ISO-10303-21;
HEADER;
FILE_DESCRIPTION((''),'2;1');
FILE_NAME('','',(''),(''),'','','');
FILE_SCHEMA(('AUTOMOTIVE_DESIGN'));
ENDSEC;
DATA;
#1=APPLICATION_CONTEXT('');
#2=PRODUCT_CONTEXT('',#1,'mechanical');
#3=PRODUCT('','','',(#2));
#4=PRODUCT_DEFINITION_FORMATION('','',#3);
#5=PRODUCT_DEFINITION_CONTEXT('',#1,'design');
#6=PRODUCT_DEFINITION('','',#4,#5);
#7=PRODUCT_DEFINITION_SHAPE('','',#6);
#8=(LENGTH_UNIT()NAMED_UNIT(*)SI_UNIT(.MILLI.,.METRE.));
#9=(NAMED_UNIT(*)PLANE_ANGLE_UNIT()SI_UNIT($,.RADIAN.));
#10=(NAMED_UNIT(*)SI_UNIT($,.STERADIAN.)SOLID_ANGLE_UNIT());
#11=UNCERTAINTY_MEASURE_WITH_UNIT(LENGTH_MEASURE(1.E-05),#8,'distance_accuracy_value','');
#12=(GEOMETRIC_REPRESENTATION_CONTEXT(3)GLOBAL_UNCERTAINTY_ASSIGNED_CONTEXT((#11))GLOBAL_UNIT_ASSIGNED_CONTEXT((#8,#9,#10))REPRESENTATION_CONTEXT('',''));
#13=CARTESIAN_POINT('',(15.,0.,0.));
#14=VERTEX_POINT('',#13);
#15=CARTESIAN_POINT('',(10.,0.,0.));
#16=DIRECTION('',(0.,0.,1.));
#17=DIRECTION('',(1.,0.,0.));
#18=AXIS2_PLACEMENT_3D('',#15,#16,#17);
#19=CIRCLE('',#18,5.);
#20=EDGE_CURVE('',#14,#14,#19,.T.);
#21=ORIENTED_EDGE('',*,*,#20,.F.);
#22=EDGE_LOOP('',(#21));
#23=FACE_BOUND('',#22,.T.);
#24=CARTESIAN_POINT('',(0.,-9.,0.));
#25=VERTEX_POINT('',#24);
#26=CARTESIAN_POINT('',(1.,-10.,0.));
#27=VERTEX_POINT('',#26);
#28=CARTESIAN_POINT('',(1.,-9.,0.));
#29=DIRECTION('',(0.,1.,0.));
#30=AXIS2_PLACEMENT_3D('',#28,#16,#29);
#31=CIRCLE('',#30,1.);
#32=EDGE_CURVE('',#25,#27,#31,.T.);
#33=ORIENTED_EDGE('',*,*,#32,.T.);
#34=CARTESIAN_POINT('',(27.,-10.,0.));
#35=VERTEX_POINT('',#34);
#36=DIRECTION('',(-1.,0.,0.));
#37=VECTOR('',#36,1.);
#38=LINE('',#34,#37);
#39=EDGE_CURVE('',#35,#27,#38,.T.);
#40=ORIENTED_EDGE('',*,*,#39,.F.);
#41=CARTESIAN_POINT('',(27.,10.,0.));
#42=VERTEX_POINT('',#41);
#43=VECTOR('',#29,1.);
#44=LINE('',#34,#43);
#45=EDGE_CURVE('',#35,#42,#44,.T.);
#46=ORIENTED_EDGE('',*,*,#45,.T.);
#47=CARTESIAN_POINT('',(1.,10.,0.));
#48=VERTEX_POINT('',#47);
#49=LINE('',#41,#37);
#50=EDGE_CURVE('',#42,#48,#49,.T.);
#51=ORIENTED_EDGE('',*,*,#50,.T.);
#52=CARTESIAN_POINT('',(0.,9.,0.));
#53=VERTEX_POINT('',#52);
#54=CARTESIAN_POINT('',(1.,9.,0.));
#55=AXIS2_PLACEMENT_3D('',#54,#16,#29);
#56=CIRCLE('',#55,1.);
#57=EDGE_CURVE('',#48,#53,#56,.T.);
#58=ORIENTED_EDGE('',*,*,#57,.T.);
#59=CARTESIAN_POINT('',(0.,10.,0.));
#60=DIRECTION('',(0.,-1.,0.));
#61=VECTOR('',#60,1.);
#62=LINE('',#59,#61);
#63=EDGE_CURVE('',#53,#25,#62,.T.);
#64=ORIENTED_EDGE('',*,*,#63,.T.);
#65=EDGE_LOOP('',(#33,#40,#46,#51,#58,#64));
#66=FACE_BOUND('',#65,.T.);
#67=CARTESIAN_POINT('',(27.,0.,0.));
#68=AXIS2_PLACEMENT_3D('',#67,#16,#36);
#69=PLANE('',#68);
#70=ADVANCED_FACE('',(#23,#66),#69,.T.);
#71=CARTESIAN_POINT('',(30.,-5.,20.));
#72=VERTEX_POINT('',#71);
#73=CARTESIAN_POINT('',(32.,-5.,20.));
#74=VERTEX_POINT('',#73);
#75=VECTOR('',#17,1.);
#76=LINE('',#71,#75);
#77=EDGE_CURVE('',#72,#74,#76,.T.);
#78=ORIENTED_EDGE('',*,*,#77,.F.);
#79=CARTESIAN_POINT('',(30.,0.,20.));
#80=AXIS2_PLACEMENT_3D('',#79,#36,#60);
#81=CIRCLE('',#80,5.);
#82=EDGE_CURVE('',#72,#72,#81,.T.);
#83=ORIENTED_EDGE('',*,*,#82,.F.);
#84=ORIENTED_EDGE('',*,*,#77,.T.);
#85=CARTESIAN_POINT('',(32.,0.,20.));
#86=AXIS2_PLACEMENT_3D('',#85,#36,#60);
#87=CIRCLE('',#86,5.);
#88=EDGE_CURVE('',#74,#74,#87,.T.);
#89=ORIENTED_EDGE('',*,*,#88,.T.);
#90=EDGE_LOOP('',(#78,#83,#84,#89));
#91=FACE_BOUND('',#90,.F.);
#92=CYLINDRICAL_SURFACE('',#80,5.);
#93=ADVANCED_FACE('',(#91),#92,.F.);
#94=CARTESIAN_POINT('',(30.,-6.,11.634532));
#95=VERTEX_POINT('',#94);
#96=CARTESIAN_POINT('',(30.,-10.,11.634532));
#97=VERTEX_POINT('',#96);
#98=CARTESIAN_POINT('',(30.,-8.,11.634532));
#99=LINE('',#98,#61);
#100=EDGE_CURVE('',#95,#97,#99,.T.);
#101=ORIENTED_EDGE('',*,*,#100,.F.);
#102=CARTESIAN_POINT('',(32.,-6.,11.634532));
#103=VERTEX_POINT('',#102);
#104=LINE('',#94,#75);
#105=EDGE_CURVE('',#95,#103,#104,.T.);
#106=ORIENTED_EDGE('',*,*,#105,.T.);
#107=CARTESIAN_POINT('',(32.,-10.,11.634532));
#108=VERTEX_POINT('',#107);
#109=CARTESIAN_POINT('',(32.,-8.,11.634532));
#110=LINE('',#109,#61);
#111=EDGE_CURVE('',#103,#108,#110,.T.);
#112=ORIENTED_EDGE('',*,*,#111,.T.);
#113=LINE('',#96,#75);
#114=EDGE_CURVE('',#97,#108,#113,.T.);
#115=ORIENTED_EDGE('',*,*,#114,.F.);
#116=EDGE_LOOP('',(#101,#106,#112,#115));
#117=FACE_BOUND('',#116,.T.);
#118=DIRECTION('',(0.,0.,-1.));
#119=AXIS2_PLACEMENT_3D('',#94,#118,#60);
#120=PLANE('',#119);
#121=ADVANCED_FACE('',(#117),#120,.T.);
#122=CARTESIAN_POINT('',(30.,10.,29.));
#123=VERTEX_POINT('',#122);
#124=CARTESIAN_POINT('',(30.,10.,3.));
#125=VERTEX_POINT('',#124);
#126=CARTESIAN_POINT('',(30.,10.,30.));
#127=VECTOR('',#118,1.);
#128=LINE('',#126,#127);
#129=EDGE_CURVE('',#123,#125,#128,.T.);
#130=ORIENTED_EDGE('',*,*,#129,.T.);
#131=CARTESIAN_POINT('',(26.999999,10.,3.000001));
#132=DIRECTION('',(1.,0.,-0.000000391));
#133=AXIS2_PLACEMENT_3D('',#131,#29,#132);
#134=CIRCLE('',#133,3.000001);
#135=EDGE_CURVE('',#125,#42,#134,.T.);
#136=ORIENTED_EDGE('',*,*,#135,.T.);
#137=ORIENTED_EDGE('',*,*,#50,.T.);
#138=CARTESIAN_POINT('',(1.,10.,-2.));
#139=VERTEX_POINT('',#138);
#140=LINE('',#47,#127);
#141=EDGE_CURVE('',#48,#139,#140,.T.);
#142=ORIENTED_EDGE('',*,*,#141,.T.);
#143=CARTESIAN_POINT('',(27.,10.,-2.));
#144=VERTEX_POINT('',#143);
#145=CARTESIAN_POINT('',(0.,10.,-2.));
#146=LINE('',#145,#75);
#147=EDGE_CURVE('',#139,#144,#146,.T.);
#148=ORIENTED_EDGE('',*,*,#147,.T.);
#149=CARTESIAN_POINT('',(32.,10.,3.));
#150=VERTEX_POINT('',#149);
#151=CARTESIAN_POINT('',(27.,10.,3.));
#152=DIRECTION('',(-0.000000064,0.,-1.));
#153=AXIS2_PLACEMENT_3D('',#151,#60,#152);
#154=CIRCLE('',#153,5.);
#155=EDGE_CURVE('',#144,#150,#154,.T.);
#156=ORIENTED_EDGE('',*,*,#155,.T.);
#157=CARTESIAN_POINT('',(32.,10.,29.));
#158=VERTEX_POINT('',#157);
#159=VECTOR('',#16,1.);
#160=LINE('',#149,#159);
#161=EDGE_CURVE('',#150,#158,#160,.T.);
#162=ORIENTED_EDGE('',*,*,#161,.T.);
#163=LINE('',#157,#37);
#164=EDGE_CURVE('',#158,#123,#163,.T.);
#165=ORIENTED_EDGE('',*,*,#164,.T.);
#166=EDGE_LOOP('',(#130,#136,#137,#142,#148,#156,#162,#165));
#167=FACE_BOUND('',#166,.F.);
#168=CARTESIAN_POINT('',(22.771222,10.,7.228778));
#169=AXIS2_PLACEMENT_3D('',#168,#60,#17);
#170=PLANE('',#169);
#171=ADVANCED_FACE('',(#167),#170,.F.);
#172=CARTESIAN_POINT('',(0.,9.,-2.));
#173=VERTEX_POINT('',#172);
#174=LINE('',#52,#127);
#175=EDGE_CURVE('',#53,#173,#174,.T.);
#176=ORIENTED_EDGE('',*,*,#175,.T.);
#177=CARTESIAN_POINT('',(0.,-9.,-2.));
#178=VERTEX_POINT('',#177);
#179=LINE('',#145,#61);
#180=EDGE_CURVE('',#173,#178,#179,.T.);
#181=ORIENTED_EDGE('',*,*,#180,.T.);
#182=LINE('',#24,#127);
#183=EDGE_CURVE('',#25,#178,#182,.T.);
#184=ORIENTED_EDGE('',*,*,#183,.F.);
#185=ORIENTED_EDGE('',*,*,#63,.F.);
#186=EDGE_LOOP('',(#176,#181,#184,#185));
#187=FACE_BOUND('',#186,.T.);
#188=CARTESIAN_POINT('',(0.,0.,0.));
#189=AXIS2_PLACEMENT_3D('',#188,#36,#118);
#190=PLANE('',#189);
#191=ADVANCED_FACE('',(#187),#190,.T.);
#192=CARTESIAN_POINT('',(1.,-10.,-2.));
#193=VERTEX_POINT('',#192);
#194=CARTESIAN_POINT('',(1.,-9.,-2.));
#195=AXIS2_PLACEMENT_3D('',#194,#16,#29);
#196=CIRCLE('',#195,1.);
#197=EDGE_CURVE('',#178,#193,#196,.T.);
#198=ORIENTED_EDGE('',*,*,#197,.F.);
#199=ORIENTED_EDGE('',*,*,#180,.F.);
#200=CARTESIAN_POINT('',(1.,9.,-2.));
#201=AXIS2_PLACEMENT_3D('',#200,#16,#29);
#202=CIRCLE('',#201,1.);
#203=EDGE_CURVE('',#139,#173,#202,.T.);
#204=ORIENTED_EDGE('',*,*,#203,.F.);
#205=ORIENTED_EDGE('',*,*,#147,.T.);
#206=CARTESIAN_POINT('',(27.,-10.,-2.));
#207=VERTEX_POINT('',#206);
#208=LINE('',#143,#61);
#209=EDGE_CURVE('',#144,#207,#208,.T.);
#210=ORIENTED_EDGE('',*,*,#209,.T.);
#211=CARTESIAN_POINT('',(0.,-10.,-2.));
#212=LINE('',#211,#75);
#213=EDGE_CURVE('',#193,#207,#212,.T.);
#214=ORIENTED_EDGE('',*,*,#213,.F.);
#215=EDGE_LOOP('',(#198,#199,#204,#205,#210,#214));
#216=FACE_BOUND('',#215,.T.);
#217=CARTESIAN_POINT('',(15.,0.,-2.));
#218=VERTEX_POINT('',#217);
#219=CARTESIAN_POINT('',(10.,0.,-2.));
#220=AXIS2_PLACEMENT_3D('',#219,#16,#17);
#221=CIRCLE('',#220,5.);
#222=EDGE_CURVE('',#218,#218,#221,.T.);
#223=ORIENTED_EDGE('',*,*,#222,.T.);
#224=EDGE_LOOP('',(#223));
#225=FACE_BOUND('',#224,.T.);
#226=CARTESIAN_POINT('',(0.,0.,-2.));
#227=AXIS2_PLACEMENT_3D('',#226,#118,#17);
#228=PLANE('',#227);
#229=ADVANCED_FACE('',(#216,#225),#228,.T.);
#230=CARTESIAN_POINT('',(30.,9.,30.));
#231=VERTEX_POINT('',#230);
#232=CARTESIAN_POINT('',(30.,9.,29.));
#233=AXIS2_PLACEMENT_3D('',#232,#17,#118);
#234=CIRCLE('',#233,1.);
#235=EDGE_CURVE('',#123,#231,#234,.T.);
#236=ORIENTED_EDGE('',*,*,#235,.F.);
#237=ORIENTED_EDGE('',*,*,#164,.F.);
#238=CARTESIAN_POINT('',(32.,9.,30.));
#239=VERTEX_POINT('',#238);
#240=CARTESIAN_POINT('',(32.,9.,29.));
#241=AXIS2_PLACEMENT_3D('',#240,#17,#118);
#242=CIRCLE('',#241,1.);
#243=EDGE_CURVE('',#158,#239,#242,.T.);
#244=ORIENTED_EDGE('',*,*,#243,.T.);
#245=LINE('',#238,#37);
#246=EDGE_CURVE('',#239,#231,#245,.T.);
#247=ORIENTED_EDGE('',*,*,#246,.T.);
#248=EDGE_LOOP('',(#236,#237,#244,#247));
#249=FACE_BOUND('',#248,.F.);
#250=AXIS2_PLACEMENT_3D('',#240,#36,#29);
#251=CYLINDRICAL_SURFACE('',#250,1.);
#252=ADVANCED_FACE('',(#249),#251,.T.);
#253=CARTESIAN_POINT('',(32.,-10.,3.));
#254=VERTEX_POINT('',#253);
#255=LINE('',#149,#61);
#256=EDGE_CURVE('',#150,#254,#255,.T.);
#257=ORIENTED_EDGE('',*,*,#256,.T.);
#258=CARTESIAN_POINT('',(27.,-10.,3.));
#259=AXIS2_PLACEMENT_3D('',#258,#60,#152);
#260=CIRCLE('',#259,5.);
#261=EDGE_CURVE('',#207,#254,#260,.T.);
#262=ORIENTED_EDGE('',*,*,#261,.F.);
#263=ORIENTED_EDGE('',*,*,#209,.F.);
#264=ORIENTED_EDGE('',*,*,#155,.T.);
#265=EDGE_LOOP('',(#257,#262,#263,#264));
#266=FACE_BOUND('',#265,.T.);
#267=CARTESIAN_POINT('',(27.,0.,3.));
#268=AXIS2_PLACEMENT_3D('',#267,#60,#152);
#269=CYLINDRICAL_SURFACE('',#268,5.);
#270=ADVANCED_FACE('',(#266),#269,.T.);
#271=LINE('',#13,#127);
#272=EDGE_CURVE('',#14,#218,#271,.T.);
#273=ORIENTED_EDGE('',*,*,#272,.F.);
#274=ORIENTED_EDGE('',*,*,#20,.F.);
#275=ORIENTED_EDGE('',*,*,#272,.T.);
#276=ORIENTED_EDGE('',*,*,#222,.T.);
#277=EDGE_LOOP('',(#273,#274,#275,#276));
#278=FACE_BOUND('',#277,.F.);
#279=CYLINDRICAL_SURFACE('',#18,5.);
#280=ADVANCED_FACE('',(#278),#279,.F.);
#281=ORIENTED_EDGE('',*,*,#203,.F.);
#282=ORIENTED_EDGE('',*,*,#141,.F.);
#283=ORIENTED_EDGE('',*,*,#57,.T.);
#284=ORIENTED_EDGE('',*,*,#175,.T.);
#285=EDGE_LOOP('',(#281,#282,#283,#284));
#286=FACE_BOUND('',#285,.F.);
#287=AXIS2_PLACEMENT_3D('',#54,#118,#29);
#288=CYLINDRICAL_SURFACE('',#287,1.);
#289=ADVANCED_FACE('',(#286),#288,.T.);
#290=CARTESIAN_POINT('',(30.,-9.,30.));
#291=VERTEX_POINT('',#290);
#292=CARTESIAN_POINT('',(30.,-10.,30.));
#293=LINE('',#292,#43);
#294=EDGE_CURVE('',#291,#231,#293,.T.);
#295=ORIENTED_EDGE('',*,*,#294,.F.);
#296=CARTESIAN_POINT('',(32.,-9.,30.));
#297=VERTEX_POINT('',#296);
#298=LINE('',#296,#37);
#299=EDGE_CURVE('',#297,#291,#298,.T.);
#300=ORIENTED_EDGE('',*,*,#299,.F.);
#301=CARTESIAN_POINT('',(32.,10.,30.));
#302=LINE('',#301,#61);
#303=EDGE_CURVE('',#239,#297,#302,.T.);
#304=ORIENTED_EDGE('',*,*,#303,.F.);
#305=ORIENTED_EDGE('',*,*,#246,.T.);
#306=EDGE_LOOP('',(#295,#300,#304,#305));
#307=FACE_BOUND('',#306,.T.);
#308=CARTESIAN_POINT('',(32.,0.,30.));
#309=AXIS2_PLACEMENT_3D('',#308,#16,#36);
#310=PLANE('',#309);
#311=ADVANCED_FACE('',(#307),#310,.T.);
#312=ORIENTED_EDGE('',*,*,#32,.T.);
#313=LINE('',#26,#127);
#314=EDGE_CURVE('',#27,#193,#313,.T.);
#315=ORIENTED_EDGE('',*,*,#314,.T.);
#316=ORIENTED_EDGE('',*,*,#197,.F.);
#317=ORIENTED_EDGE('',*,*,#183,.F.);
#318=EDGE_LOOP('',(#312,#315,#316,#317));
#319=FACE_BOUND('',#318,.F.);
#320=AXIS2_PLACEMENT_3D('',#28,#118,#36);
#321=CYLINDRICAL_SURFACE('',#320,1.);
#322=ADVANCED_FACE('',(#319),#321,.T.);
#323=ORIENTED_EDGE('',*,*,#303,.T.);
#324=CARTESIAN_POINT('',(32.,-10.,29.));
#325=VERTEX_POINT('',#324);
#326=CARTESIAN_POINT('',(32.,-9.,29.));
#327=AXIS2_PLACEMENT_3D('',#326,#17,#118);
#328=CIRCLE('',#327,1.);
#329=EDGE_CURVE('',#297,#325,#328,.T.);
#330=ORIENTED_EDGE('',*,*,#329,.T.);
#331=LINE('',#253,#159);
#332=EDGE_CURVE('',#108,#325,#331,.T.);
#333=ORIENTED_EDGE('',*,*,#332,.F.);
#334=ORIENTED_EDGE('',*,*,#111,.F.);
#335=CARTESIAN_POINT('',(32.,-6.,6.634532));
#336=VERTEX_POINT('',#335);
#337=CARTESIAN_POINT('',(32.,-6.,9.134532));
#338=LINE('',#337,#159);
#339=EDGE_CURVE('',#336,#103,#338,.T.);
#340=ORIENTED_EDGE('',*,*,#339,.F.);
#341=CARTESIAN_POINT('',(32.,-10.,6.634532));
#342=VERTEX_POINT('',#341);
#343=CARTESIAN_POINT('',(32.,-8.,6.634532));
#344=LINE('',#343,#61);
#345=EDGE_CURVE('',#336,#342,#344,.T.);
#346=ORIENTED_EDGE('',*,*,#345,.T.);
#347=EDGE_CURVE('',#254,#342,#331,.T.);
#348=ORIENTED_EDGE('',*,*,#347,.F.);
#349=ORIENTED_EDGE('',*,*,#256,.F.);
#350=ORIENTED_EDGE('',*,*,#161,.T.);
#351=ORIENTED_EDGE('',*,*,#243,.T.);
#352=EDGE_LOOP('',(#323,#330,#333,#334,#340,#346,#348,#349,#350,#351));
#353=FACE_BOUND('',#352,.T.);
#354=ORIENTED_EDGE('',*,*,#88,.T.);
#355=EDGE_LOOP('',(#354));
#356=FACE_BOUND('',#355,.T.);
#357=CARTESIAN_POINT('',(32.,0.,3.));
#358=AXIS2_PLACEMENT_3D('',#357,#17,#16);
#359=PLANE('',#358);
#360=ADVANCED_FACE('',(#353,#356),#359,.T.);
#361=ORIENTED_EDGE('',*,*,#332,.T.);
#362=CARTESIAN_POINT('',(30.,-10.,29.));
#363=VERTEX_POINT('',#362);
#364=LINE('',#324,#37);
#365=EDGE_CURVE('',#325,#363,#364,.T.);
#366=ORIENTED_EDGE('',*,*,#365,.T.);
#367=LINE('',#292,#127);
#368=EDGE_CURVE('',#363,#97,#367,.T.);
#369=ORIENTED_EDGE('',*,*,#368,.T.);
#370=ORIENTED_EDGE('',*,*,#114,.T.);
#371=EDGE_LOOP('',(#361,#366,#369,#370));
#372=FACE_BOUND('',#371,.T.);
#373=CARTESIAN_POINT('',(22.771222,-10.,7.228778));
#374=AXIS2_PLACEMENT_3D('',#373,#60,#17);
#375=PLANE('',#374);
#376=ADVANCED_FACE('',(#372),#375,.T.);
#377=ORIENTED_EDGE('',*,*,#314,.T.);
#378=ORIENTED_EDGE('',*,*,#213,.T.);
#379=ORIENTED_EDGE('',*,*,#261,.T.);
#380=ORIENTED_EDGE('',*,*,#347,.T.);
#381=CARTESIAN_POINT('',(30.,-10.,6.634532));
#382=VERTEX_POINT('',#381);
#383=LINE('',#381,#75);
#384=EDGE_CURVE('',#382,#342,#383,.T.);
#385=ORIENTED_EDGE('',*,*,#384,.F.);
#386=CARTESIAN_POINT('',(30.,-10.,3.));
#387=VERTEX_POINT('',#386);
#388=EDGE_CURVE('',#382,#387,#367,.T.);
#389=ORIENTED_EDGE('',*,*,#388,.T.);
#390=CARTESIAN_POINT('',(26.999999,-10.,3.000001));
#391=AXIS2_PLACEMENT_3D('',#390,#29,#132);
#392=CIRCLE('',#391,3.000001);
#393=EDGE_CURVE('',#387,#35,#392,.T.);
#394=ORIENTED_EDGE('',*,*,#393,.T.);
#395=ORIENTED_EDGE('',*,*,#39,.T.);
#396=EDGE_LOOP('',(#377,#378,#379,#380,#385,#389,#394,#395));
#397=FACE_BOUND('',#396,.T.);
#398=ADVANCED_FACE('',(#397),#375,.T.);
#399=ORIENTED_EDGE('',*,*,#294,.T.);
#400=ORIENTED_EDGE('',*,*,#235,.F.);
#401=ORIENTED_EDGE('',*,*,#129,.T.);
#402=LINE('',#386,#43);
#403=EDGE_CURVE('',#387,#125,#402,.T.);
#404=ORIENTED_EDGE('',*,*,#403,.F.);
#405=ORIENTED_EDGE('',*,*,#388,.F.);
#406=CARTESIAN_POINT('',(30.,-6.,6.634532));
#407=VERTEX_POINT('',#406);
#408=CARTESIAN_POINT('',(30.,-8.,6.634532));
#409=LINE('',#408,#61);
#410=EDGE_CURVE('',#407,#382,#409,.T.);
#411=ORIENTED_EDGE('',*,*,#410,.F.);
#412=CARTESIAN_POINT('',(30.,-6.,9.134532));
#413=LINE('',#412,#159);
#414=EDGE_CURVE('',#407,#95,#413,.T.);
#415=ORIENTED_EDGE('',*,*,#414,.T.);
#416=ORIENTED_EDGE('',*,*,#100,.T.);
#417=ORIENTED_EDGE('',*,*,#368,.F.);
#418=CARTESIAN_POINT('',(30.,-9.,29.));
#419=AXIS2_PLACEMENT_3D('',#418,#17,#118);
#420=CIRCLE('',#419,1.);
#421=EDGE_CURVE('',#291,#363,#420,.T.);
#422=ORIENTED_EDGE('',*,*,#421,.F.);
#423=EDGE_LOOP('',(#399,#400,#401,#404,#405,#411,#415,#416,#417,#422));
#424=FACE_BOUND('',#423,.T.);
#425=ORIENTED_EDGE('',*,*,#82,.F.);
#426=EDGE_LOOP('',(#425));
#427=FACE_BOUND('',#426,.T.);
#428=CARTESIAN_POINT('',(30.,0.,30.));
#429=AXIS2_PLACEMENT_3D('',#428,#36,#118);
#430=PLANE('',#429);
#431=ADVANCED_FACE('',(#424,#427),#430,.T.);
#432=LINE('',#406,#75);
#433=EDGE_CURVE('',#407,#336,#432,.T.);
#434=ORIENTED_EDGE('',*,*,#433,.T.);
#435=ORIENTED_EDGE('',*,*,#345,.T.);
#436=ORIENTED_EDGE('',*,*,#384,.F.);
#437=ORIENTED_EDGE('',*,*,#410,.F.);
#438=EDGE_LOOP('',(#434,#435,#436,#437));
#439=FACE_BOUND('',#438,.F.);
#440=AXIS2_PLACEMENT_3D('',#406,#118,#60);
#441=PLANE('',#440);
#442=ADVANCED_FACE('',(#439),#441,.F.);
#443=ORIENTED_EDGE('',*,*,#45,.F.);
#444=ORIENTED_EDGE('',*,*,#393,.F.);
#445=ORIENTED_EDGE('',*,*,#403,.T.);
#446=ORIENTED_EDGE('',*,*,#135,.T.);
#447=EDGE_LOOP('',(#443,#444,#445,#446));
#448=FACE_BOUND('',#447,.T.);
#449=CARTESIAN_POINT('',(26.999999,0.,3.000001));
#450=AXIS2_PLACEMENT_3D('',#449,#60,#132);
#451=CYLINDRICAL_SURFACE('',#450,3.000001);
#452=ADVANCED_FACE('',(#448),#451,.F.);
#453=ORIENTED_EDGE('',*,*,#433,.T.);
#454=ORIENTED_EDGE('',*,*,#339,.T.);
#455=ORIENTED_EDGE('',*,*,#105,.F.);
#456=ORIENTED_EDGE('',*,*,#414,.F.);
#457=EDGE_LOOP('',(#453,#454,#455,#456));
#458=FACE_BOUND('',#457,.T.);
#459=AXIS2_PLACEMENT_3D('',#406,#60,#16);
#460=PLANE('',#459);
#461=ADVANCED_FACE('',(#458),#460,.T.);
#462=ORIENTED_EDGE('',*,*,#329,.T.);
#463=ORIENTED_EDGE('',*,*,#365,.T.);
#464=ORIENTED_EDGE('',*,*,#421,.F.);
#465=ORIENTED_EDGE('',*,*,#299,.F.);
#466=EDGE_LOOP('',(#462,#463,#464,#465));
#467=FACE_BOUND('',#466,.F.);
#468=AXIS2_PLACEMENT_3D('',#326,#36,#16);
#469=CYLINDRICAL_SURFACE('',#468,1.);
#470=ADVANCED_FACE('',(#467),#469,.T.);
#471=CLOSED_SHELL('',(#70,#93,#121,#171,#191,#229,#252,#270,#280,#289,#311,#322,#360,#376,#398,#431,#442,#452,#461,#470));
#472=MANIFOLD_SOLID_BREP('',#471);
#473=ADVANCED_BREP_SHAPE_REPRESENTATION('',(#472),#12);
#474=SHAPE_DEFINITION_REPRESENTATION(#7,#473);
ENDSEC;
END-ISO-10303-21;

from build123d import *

# Parameters (mm, degrees)
F1_DEPTH = 10
F2_R     = 5
F3_DEPTH = 2
F4_W     = 4
F4_H     = 5
F5_DEPTH = 2
F6_R     = 5
F7_DEPTH = 2
F8_R     = 1


with BuildPart() as f1:
    # F0 (on Front) → F1 (new body, symmetric)
    with BuildSketch(Plane.XZ):
        with BuildLine():
            Line((27, 0), (0, 0))
            Line((0, 0), (0, -2))
            Line((0, -2), (27, -2))
            ThreePointArc((27, -2), (30.535534, -0.535534), (32, 3))
            Line((32, 3), (32, 30))
            Line((32, 30), (30, 30))
            Line((30, 30), (30, 3))
            ThreePointArc((30, 3), (29.12132, 0.87868), (27, 0))
        make_face()
    extrude(amount=F1_DEPTH, both=True)

    # F2 (on face) → F3 (cut, through all)
    with BuildSketch(Plane(origin=(30, 0, 0), x_dir=(0, -1, 0), z_dir=(-1, 0, 0))):
        with Locations((0, 20)):
            Circle(F2_R)
    extrude(amount=-F3_DEPTH, mode=Mode.SUBTRACT)

    # F4 (on face) → F5 (cut, through all)
    with BuildSketch(Plane(origin=(30, 0, 0), x_dir=(0, -1, 0), z_dir=(-1, 0, 0))):
        with Locations((8, 9.134532)):
            Rectangle(F4_W, F4_H)
    extrude(amount=-F5_DEPTH, mode=Mode.SUBTRACT)

    # F6 (on face) → F7 (cut, through all)
    with BuildSketch(Plane.XY):
        with Locations((10, 0)):
            Circle(F6_R)
    extrude(amount=-F7_DEPTH, mode=Mode.SUBTRACT)

    # F8
    f8_edges = [f1.edges().sort_by_distance(p)[0] for p in [
        (31, 10, 30),
        (31, -10, 30),
        (0, 10, -1),
        (0, -10, -1),
    ]]
    fillet(f8_edges, radius=F8_R)


solid = f1.part
